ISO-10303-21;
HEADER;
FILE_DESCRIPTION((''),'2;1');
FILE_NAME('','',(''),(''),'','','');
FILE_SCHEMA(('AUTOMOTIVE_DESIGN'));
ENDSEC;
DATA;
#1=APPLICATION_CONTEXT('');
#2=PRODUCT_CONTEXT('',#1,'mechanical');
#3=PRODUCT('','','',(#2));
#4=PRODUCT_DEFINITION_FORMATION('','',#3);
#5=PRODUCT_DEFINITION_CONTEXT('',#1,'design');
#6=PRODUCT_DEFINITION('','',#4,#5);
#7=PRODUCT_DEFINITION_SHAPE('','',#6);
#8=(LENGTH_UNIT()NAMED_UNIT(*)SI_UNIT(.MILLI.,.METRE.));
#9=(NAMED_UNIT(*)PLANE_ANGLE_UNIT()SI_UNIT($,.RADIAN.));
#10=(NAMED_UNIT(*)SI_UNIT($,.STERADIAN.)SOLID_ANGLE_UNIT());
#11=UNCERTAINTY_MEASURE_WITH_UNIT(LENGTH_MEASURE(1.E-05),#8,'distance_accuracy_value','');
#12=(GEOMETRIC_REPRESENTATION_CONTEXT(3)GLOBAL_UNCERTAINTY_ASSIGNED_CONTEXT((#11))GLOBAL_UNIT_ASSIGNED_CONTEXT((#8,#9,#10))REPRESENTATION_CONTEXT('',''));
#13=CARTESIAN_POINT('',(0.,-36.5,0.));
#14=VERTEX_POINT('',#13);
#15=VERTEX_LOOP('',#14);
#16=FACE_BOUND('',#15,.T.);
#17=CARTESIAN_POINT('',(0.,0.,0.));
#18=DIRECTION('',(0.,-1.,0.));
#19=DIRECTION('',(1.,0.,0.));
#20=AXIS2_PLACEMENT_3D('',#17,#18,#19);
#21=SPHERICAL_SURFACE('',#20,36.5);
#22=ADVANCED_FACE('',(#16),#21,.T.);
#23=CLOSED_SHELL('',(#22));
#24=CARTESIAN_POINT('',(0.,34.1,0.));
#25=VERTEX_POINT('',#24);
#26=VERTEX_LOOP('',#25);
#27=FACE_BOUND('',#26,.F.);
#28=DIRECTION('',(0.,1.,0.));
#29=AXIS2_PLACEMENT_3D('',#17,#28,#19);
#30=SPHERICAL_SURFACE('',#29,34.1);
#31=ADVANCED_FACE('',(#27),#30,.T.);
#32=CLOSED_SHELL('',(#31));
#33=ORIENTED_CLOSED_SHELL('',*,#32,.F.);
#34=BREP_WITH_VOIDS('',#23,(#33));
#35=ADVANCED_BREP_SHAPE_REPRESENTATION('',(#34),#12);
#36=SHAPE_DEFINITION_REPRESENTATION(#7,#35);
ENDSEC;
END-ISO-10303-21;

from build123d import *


with BuildPart() as part:
    # Sketch1 → Revolve1 (revolve)
    with BuildSketch(Plane.XY):
        with BuildLine():
            Line((0, 34.1), (0, 36.5))
            ThreePointArc((0, 36.5), (36.5, 0), (0, -36.5))
            Line((0, -36.5), (0, -34.1))
            ThreePointArc((0, -34.1), (34.1, 0), (0, 34.1))
        make_face()
    revolve(axis=Axis((0, 34.1, 0), (0, -1, 0)))


solid = part.part
